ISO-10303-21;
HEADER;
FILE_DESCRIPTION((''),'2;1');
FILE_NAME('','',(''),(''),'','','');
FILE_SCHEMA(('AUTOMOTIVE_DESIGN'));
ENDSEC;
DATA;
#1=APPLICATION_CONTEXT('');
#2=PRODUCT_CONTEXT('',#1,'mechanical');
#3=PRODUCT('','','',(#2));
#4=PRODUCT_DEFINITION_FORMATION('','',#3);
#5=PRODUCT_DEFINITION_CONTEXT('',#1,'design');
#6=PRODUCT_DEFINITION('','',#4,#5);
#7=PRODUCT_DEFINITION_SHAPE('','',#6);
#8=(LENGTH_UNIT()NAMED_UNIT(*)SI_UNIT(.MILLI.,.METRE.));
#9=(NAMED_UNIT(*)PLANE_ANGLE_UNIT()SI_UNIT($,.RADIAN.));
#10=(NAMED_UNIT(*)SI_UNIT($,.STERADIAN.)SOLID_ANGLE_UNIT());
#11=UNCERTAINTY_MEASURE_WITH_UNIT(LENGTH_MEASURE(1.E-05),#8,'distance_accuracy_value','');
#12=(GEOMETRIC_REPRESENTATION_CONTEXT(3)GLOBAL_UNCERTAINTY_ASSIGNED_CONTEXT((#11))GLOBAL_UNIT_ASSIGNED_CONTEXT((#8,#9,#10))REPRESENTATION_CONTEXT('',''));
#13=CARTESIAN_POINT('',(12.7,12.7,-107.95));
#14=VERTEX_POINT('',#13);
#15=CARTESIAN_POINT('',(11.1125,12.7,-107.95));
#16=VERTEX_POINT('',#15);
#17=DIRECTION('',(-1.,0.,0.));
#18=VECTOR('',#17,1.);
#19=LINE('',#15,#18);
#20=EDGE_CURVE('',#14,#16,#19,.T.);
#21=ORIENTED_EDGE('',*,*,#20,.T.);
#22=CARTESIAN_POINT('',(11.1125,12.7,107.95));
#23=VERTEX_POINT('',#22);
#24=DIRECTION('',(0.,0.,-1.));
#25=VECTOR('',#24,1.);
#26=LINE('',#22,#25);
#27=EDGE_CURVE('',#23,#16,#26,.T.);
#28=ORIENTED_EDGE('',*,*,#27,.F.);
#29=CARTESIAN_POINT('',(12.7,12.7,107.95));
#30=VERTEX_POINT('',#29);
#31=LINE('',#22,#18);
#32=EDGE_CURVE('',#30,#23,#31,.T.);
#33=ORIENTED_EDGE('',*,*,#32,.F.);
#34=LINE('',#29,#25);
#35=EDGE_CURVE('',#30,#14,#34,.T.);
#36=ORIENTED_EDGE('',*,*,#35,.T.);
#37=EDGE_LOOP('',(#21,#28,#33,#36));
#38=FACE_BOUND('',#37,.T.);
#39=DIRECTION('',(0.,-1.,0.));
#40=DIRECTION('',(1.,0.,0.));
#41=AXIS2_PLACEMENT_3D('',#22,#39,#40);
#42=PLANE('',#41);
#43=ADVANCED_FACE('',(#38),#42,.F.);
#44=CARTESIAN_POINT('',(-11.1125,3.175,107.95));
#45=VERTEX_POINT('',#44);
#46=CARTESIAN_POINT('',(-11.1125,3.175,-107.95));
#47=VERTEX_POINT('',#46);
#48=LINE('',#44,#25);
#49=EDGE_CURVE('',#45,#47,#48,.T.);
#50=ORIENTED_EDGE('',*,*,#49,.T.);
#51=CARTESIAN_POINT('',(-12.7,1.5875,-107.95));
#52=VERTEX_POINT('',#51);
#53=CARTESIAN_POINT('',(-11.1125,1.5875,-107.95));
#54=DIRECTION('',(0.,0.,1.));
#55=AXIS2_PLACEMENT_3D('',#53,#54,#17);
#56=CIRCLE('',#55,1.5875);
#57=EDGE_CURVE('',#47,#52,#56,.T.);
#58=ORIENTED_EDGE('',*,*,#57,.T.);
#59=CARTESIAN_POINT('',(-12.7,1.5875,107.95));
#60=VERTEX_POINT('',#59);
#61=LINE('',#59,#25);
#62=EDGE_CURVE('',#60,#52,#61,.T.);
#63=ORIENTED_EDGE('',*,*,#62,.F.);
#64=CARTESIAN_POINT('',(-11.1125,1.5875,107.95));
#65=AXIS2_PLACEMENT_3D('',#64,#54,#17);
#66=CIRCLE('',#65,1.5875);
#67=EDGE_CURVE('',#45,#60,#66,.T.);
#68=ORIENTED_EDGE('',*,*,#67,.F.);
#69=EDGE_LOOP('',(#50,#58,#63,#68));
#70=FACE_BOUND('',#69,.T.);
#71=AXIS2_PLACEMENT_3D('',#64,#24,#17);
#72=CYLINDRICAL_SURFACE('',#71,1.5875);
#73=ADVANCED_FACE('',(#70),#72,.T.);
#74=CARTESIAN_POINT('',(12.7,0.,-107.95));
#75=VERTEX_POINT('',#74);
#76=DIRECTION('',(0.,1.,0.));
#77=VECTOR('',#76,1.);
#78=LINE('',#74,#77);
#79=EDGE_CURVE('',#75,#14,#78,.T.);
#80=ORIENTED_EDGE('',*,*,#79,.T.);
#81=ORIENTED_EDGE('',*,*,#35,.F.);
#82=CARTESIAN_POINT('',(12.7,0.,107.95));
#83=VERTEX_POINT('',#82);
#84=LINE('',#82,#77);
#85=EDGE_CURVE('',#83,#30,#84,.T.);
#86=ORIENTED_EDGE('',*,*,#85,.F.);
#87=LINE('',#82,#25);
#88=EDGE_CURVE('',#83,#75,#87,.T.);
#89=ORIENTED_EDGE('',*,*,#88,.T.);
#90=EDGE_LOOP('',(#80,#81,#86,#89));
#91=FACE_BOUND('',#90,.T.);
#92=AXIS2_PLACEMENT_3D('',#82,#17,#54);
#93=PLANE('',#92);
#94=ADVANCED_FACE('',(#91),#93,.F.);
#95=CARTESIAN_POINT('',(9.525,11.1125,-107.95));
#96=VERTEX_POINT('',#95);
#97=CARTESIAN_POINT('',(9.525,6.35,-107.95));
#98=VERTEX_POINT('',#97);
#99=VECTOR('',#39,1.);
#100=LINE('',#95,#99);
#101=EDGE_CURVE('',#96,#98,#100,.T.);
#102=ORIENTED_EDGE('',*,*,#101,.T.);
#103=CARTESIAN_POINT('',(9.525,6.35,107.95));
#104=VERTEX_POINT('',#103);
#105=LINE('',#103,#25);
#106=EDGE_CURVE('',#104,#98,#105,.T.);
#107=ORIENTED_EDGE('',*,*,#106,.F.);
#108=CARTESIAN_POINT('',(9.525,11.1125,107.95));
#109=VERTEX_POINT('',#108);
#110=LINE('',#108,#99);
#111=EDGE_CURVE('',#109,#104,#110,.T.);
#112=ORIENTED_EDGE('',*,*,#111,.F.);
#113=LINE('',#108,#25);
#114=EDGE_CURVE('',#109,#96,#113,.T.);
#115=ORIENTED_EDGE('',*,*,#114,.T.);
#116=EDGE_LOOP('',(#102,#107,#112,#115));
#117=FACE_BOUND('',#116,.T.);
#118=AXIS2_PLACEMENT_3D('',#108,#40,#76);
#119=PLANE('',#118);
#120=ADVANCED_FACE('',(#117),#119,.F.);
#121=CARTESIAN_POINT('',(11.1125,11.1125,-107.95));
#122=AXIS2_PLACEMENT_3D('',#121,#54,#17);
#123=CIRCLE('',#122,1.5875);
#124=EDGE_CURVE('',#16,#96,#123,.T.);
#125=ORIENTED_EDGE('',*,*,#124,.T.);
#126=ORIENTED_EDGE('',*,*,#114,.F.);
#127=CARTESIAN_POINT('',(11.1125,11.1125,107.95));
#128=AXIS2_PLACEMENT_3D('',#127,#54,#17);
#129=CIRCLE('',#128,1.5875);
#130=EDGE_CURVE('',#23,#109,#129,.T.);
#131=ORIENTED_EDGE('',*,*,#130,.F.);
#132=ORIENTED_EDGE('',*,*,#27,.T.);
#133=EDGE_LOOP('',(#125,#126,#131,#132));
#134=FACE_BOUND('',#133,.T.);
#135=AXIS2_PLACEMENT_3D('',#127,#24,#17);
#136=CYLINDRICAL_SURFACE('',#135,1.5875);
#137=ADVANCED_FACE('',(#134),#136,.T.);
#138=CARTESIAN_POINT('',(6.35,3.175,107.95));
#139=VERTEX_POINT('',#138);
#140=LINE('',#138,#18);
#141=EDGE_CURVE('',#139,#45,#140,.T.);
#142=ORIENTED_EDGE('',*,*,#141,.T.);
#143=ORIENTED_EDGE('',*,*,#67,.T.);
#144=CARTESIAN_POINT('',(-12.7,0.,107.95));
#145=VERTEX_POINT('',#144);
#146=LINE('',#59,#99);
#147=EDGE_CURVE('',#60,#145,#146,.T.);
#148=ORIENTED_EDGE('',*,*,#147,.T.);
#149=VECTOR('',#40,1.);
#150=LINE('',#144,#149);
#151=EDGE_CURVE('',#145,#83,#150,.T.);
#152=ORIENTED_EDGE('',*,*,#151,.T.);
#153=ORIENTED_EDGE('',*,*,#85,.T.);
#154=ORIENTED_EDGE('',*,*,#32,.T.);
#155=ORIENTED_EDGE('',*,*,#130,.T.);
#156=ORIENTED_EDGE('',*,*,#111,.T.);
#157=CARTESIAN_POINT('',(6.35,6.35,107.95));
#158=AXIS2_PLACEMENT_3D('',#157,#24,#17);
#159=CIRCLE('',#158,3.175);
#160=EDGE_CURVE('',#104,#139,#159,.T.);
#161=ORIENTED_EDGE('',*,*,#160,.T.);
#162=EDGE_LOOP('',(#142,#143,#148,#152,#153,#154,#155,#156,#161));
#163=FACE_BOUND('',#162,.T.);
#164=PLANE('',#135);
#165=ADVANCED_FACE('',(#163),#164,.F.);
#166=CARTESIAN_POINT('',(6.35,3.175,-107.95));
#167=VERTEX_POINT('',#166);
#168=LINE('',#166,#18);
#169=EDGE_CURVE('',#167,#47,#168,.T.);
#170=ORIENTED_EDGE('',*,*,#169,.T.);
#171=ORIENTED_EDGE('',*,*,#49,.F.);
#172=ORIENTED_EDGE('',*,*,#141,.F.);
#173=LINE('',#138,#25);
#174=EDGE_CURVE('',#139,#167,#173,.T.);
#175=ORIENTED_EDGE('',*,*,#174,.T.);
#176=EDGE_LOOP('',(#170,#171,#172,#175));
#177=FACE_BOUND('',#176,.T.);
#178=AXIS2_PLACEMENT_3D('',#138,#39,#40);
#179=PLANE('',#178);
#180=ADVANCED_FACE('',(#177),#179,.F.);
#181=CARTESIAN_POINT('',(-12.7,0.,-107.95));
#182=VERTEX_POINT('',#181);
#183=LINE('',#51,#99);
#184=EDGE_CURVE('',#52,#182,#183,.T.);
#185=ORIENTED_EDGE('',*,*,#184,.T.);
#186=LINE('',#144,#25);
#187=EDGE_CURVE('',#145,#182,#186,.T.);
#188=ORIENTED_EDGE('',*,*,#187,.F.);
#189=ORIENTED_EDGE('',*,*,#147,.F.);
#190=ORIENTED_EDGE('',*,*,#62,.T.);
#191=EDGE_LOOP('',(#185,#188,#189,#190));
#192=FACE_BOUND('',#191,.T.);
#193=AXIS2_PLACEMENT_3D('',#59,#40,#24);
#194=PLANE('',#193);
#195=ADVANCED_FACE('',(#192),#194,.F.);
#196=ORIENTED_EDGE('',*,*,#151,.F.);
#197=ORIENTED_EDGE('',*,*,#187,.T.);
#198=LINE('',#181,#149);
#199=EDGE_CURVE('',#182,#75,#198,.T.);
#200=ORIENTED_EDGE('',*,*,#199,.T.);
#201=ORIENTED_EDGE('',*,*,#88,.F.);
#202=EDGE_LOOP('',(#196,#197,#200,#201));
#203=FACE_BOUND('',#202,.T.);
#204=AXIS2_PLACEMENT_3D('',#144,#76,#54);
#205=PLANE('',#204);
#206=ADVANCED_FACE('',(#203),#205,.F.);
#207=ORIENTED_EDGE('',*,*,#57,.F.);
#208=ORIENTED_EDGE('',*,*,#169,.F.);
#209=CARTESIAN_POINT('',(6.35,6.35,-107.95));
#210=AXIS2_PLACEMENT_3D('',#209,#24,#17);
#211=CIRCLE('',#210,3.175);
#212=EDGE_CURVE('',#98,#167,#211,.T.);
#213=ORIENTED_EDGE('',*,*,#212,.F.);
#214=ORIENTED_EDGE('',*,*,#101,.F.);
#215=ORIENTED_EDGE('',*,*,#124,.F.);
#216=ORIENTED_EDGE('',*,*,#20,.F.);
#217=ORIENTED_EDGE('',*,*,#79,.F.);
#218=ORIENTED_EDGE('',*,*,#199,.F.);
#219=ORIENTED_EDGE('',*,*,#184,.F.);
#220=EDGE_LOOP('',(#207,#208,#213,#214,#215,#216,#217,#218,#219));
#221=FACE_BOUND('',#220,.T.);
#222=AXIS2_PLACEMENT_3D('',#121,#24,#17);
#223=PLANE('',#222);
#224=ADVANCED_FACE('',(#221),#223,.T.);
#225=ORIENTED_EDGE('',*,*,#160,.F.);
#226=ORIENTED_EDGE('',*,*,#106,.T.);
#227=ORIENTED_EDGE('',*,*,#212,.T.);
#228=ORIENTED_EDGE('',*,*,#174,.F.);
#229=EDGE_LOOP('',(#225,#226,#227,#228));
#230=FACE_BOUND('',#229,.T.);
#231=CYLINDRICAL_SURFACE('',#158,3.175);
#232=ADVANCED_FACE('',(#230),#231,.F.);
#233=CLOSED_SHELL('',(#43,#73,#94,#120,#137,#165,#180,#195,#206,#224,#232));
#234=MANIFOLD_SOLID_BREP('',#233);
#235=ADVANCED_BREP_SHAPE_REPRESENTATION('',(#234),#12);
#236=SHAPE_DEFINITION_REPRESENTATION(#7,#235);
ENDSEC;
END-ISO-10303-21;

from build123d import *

# Parameters (mm, degrees)
BOSS_EXTRUDE1_DEPTH = 107.95


with BuildPart() as part:
    # Sketch2 → Boss-Extrude1 (new, symmetric)
    with BuildSketch(Plane.XY):
        with BuildLine():
            Line((-12.7, 0), (12.7, 0))
            Line((12.7, 0), (12.7, 12.7))
            Line((12.7, 12.7), (11.1125, 12.7))
            ThreePointArc((11.1125, 12.7), (9.989967985, 12.235032015), (9.525, 11.1125))
            Line((9.525, 11.1125), (9.525, 6.35))
            ThreePointArc((9.525, 6.35), (8.59506403, 4.10493597), (6.35, 3.175))
            Line((6.35, 3.175), (-11.1125, 3.175))
            ThreePointArc((-11.1125, 3.175), (-12.235032015, 2.710032015), (-12.7, 1.5875))
            Line((-12.7, 1.5875), (-12.7, 0))
        make_face()
    extrude(amount=BOSS_EXTRUDE1_DEPTH, both=True)


solid = part.part
